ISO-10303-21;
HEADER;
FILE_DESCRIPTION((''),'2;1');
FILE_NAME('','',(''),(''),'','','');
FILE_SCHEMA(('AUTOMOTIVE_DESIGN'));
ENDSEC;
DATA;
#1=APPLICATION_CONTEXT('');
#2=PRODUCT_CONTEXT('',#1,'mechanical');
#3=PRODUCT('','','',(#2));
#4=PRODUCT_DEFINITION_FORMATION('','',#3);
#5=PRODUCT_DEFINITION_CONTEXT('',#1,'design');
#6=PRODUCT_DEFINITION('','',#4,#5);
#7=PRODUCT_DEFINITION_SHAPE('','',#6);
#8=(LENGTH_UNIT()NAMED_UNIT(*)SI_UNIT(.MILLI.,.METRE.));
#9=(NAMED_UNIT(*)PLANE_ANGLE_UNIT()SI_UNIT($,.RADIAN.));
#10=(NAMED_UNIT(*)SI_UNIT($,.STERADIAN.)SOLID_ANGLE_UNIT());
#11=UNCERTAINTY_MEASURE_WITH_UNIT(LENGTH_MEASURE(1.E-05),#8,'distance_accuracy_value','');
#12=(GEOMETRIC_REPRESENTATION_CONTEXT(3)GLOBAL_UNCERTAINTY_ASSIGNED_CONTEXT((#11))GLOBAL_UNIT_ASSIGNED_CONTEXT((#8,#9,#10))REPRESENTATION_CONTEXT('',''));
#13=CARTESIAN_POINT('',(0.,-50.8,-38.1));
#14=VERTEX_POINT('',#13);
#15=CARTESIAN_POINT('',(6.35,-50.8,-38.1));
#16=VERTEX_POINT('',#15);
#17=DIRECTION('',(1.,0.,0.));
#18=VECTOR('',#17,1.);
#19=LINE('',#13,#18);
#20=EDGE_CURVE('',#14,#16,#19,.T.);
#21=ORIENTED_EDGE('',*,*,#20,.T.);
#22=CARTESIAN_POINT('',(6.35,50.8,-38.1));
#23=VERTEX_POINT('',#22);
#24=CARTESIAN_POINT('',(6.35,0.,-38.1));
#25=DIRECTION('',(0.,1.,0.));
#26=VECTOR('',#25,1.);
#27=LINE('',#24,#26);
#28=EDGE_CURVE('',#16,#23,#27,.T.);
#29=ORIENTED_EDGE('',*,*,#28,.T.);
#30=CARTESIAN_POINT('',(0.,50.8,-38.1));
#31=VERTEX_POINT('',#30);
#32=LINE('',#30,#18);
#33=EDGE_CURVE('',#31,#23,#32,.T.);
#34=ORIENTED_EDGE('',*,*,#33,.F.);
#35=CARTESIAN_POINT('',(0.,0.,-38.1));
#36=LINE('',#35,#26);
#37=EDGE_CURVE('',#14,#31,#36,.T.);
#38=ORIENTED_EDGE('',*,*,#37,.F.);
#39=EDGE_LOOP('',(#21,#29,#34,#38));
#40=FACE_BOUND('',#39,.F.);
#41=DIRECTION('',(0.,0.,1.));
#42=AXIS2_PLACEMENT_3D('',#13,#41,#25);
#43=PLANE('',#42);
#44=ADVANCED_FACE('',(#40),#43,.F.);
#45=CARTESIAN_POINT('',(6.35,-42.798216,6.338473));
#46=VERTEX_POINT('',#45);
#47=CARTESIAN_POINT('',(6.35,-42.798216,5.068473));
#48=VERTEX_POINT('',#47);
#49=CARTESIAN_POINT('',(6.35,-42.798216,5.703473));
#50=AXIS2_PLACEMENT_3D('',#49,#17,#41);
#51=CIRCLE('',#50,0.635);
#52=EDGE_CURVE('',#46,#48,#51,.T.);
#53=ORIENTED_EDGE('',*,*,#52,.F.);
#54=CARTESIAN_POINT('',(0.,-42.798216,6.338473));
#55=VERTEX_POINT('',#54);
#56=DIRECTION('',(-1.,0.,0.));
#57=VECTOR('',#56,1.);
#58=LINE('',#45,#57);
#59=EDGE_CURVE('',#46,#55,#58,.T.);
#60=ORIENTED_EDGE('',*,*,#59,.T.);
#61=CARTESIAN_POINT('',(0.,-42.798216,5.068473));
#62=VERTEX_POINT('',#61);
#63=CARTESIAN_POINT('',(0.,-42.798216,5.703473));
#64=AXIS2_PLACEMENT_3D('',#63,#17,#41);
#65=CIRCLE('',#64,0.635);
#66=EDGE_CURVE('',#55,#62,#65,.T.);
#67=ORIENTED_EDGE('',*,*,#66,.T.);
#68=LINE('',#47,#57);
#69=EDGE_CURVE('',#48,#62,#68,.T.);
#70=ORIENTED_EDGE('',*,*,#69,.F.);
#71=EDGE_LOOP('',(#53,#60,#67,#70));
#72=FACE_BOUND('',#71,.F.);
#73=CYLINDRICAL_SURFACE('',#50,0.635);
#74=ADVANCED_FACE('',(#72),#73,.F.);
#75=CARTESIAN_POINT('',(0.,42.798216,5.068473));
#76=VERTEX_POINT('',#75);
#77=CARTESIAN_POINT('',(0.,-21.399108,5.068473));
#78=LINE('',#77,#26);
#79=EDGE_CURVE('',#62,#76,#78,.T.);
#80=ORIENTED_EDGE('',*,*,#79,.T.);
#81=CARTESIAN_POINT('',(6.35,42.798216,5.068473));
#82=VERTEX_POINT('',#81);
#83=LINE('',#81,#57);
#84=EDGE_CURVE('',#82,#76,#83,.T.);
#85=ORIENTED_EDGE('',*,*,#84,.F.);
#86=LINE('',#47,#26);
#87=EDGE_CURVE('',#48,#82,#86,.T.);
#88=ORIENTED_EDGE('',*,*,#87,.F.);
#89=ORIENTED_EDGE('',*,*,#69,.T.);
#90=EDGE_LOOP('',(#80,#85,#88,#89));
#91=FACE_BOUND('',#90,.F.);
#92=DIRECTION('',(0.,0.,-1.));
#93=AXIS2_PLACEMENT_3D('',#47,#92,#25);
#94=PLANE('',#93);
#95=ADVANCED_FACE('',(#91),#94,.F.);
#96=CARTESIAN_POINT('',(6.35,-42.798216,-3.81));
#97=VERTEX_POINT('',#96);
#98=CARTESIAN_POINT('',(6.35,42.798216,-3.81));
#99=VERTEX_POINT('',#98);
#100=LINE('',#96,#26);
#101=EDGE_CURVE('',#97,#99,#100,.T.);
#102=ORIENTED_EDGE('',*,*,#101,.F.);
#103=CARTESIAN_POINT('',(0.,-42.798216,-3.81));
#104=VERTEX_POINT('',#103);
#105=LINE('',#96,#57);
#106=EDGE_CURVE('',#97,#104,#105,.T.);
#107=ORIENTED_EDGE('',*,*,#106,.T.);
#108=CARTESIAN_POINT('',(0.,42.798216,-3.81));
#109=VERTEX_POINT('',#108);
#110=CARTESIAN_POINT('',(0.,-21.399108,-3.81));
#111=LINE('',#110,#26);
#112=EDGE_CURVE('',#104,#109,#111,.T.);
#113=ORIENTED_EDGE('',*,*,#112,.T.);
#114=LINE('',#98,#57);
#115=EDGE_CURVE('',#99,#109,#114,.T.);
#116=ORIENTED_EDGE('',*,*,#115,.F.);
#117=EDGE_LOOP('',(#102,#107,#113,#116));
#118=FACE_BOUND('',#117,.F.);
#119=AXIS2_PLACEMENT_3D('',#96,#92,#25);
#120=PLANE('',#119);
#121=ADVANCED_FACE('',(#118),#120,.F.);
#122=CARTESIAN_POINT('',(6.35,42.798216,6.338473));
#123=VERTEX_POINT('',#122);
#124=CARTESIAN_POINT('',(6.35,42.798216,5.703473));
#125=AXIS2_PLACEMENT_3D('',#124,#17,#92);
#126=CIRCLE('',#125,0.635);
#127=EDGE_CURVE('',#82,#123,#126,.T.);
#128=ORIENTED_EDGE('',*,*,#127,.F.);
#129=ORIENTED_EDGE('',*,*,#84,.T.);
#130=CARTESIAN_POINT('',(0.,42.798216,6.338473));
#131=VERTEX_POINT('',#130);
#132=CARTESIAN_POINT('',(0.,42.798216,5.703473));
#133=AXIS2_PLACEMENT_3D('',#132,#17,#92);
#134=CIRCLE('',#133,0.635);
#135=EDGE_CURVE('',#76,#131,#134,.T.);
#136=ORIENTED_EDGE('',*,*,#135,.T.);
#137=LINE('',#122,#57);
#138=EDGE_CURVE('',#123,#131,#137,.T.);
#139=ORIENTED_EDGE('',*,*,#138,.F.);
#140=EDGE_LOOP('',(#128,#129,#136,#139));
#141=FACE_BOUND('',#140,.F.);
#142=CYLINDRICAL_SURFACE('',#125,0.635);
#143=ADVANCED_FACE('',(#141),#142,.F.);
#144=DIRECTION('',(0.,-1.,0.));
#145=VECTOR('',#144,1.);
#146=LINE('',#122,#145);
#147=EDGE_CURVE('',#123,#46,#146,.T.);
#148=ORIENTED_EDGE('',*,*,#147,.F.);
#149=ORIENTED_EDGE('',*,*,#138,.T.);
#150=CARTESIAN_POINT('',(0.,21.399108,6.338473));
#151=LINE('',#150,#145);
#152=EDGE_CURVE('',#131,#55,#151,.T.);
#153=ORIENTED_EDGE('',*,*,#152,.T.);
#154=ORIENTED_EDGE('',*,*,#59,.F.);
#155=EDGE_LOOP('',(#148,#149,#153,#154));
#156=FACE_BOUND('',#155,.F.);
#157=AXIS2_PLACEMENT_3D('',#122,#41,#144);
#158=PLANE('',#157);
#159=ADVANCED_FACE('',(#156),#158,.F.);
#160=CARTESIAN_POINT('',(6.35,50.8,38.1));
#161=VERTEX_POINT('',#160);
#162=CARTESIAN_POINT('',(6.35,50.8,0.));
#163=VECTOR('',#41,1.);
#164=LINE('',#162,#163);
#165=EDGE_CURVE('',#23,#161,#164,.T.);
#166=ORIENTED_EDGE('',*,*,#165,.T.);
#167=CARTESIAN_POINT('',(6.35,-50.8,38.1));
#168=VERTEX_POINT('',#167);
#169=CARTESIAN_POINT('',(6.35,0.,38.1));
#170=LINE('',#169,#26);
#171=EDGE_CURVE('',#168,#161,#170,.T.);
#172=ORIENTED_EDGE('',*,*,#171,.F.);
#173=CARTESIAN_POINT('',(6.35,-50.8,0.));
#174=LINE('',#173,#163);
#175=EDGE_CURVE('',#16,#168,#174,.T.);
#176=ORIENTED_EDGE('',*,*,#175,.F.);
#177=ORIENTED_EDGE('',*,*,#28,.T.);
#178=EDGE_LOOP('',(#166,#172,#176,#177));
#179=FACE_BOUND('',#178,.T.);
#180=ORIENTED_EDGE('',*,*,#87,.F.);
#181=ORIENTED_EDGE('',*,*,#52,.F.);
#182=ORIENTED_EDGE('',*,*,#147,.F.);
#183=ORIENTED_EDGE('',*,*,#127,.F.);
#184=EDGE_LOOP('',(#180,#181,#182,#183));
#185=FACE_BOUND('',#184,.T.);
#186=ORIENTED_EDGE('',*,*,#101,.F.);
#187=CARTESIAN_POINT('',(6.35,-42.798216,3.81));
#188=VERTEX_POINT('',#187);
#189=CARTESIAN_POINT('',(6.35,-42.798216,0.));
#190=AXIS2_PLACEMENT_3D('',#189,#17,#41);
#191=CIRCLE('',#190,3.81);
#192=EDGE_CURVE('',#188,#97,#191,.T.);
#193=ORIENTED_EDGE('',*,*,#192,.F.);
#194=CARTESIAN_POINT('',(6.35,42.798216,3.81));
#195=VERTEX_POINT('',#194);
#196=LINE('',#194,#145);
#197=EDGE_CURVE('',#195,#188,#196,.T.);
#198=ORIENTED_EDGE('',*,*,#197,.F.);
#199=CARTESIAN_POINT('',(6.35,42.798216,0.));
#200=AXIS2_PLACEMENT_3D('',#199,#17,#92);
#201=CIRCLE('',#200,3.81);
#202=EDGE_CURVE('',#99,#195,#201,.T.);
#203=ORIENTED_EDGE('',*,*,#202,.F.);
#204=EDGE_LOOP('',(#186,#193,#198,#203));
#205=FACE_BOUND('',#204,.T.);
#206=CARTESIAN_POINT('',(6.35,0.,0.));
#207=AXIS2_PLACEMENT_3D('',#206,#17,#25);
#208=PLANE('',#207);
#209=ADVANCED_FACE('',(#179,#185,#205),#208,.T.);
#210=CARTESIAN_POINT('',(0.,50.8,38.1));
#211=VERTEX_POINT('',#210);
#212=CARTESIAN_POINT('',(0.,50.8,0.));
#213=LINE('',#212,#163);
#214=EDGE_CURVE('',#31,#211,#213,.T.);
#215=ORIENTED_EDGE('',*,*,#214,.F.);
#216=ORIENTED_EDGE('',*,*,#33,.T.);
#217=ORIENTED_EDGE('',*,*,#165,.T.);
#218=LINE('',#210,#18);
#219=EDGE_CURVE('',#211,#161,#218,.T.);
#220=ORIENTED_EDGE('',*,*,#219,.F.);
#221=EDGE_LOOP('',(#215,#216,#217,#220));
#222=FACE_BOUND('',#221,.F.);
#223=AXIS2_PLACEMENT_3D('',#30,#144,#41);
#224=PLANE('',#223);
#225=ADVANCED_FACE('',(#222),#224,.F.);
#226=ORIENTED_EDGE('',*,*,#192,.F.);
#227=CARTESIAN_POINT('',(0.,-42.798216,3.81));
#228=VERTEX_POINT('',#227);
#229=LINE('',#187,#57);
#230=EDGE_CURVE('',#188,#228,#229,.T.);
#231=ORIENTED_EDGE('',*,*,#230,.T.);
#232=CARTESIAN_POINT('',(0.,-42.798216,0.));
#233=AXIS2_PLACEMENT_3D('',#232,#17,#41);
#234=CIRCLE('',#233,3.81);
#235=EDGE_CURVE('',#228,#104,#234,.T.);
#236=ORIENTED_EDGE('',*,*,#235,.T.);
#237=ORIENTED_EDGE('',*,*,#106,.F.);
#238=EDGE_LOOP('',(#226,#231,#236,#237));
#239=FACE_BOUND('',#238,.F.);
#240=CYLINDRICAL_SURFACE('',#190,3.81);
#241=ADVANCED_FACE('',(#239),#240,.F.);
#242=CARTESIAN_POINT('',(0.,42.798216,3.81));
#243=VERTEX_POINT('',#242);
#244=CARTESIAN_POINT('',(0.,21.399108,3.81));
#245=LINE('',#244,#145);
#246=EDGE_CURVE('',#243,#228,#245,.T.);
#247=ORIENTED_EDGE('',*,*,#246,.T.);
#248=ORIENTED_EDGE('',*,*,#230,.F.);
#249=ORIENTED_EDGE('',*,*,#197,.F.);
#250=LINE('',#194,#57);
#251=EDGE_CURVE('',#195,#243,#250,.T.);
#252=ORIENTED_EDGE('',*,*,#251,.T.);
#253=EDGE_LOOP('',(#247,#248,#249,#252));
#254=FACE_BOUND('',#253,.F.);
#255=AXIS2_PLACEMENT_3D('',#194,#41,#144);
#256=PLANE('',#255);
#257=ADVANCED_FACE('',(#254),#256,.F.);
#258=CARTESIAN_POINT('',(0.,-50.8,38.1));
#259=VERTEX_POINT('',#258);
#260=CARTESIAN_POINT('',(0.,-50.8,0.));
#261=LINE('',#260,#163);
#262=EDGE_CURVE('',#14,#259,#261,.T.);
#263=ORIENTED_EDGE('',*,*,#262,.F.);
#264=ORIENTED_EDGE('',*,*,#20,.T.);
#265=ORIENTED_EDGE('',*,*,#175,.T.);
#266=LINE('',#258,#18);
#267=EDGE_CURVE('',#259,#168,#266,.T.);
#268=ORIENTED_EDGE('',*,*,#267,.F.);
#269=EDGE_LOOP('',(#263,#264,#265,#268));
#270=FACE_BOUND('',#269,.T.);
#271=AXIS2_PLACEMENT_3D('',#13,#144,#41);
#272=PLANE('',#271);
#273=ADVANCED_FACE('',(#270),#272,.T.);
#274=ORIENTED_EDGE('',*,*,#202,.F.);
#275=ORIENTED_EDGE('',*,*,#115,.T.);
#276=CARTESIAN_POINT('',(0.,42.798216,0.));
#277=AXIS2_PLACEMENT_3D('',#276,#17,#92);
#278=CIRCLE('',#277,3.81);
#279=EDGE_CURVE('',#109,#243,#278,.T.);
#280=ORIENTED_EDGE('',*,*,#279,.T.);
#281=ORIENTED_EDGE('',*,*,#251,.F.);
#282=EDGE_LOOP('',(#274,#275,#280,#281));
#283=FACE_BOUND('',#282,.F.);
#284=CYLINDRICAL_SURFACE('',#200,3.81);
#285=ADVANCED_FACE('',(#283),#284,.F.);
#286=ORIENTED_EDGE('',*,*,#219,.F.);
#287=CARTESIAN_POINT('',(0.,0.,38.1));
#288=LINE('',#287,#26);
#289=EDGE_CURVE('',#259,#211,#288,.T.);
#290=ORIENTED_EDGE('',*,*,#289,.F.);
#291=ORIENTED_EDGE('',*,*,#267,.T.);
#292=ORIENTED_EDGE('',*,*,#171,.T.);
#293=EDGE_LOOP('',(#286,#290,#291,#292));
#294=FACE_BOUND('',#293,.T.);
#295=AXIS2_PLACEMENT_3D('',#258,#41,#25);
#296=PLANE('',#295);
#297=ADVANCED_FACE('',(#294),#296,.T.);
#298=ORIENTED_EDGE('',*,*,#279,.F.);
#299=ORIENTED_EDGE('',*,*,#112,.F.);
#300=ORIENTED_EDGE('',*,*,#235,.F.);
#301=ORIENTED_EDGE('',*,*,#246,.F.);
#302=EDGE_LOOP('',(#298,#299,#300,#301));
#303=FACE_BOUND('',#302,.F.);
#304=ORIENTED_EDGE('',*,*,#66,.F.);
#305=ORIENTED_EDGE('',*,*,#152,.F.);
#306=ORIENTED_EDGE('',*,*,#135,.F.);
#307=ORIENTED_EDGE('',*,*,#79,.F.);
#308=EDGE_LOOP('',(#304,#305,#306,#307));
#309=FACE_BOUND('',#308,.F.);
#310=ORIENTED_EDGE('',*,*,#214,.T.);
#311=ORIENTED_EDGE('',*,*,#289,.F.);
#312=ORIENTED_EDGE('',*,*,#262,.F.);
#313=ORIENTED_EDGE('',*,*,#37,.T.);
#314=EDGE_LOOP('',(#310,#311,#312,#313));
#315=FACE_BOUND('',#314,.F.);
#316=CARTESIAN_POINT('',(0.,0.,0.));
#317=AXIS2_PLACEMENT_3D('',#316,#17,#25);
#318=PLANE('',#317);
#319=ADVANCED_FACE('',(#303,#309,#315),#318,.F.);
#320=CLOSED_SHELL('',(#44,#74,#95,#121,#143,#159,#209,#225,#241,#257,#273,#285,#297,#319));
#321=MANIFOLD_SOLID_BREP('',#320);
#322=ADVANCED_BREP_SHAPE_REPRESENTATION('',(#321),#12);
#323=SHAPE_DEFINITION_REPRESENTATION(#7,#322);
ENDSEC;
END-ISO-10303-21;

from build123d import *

# Parameters (mm, degrees)
F0_W     = 101.6
F0_H     = 76.2
F1_DEPTH = 6.35
F3_DEPTH = 25.4
F5_DEPTH = 25.4


with BuildPart() as f1:
    # F0 (on Right) → F1 (new body)
    with BuildSketch(Plane.YZ):
        Rectangle(F0_W, F0_H)
    extrude(amount=F1_DEPTH)

    # F2 (on face) → F3 (cut)
    with BuildSketch(Plane.YZ.offset(6.35)):
        with BuildLine():
            Line((42.798216, 3.81), (-42.798216, 3.81))
            ThreePointArc((-42.798216, 3.81), (-46.608216, 0), (-42.798216, -3.81))
            Line((-42.798216, -3.81), (42.798216, -3.81))
            ThreePointArc((42.798216, -3.81), (46.608216, 0), (42.798216, 3.81))
        make_face()
    extrude(amount=-F3_DEPTH, mode=Mode.SUBTRACT)

    # F4 (on face) → F5 (cut)
    with BuildSketch(Plane.YZ.offset(6.35)):
        with BuildLine():
            Line((-42.798216, 5.068473), (42.798216, 5.068473))
            ThreePointArc((42.798216, 5.068473), (43.433216, 5.703473), (42.798216, 6.338473))
            Line((42.798216, 6.338473), (-42.798216, 6.338473))
            ThreePointArc((-42.798216, 6.338473), (-43.433216, 5.703473), (-42.798216, 5.068473))
        make_face()
    extrude(amount=-F5_DEPTH, mode=Mode.SUBTRACT)


solid = f1.part
